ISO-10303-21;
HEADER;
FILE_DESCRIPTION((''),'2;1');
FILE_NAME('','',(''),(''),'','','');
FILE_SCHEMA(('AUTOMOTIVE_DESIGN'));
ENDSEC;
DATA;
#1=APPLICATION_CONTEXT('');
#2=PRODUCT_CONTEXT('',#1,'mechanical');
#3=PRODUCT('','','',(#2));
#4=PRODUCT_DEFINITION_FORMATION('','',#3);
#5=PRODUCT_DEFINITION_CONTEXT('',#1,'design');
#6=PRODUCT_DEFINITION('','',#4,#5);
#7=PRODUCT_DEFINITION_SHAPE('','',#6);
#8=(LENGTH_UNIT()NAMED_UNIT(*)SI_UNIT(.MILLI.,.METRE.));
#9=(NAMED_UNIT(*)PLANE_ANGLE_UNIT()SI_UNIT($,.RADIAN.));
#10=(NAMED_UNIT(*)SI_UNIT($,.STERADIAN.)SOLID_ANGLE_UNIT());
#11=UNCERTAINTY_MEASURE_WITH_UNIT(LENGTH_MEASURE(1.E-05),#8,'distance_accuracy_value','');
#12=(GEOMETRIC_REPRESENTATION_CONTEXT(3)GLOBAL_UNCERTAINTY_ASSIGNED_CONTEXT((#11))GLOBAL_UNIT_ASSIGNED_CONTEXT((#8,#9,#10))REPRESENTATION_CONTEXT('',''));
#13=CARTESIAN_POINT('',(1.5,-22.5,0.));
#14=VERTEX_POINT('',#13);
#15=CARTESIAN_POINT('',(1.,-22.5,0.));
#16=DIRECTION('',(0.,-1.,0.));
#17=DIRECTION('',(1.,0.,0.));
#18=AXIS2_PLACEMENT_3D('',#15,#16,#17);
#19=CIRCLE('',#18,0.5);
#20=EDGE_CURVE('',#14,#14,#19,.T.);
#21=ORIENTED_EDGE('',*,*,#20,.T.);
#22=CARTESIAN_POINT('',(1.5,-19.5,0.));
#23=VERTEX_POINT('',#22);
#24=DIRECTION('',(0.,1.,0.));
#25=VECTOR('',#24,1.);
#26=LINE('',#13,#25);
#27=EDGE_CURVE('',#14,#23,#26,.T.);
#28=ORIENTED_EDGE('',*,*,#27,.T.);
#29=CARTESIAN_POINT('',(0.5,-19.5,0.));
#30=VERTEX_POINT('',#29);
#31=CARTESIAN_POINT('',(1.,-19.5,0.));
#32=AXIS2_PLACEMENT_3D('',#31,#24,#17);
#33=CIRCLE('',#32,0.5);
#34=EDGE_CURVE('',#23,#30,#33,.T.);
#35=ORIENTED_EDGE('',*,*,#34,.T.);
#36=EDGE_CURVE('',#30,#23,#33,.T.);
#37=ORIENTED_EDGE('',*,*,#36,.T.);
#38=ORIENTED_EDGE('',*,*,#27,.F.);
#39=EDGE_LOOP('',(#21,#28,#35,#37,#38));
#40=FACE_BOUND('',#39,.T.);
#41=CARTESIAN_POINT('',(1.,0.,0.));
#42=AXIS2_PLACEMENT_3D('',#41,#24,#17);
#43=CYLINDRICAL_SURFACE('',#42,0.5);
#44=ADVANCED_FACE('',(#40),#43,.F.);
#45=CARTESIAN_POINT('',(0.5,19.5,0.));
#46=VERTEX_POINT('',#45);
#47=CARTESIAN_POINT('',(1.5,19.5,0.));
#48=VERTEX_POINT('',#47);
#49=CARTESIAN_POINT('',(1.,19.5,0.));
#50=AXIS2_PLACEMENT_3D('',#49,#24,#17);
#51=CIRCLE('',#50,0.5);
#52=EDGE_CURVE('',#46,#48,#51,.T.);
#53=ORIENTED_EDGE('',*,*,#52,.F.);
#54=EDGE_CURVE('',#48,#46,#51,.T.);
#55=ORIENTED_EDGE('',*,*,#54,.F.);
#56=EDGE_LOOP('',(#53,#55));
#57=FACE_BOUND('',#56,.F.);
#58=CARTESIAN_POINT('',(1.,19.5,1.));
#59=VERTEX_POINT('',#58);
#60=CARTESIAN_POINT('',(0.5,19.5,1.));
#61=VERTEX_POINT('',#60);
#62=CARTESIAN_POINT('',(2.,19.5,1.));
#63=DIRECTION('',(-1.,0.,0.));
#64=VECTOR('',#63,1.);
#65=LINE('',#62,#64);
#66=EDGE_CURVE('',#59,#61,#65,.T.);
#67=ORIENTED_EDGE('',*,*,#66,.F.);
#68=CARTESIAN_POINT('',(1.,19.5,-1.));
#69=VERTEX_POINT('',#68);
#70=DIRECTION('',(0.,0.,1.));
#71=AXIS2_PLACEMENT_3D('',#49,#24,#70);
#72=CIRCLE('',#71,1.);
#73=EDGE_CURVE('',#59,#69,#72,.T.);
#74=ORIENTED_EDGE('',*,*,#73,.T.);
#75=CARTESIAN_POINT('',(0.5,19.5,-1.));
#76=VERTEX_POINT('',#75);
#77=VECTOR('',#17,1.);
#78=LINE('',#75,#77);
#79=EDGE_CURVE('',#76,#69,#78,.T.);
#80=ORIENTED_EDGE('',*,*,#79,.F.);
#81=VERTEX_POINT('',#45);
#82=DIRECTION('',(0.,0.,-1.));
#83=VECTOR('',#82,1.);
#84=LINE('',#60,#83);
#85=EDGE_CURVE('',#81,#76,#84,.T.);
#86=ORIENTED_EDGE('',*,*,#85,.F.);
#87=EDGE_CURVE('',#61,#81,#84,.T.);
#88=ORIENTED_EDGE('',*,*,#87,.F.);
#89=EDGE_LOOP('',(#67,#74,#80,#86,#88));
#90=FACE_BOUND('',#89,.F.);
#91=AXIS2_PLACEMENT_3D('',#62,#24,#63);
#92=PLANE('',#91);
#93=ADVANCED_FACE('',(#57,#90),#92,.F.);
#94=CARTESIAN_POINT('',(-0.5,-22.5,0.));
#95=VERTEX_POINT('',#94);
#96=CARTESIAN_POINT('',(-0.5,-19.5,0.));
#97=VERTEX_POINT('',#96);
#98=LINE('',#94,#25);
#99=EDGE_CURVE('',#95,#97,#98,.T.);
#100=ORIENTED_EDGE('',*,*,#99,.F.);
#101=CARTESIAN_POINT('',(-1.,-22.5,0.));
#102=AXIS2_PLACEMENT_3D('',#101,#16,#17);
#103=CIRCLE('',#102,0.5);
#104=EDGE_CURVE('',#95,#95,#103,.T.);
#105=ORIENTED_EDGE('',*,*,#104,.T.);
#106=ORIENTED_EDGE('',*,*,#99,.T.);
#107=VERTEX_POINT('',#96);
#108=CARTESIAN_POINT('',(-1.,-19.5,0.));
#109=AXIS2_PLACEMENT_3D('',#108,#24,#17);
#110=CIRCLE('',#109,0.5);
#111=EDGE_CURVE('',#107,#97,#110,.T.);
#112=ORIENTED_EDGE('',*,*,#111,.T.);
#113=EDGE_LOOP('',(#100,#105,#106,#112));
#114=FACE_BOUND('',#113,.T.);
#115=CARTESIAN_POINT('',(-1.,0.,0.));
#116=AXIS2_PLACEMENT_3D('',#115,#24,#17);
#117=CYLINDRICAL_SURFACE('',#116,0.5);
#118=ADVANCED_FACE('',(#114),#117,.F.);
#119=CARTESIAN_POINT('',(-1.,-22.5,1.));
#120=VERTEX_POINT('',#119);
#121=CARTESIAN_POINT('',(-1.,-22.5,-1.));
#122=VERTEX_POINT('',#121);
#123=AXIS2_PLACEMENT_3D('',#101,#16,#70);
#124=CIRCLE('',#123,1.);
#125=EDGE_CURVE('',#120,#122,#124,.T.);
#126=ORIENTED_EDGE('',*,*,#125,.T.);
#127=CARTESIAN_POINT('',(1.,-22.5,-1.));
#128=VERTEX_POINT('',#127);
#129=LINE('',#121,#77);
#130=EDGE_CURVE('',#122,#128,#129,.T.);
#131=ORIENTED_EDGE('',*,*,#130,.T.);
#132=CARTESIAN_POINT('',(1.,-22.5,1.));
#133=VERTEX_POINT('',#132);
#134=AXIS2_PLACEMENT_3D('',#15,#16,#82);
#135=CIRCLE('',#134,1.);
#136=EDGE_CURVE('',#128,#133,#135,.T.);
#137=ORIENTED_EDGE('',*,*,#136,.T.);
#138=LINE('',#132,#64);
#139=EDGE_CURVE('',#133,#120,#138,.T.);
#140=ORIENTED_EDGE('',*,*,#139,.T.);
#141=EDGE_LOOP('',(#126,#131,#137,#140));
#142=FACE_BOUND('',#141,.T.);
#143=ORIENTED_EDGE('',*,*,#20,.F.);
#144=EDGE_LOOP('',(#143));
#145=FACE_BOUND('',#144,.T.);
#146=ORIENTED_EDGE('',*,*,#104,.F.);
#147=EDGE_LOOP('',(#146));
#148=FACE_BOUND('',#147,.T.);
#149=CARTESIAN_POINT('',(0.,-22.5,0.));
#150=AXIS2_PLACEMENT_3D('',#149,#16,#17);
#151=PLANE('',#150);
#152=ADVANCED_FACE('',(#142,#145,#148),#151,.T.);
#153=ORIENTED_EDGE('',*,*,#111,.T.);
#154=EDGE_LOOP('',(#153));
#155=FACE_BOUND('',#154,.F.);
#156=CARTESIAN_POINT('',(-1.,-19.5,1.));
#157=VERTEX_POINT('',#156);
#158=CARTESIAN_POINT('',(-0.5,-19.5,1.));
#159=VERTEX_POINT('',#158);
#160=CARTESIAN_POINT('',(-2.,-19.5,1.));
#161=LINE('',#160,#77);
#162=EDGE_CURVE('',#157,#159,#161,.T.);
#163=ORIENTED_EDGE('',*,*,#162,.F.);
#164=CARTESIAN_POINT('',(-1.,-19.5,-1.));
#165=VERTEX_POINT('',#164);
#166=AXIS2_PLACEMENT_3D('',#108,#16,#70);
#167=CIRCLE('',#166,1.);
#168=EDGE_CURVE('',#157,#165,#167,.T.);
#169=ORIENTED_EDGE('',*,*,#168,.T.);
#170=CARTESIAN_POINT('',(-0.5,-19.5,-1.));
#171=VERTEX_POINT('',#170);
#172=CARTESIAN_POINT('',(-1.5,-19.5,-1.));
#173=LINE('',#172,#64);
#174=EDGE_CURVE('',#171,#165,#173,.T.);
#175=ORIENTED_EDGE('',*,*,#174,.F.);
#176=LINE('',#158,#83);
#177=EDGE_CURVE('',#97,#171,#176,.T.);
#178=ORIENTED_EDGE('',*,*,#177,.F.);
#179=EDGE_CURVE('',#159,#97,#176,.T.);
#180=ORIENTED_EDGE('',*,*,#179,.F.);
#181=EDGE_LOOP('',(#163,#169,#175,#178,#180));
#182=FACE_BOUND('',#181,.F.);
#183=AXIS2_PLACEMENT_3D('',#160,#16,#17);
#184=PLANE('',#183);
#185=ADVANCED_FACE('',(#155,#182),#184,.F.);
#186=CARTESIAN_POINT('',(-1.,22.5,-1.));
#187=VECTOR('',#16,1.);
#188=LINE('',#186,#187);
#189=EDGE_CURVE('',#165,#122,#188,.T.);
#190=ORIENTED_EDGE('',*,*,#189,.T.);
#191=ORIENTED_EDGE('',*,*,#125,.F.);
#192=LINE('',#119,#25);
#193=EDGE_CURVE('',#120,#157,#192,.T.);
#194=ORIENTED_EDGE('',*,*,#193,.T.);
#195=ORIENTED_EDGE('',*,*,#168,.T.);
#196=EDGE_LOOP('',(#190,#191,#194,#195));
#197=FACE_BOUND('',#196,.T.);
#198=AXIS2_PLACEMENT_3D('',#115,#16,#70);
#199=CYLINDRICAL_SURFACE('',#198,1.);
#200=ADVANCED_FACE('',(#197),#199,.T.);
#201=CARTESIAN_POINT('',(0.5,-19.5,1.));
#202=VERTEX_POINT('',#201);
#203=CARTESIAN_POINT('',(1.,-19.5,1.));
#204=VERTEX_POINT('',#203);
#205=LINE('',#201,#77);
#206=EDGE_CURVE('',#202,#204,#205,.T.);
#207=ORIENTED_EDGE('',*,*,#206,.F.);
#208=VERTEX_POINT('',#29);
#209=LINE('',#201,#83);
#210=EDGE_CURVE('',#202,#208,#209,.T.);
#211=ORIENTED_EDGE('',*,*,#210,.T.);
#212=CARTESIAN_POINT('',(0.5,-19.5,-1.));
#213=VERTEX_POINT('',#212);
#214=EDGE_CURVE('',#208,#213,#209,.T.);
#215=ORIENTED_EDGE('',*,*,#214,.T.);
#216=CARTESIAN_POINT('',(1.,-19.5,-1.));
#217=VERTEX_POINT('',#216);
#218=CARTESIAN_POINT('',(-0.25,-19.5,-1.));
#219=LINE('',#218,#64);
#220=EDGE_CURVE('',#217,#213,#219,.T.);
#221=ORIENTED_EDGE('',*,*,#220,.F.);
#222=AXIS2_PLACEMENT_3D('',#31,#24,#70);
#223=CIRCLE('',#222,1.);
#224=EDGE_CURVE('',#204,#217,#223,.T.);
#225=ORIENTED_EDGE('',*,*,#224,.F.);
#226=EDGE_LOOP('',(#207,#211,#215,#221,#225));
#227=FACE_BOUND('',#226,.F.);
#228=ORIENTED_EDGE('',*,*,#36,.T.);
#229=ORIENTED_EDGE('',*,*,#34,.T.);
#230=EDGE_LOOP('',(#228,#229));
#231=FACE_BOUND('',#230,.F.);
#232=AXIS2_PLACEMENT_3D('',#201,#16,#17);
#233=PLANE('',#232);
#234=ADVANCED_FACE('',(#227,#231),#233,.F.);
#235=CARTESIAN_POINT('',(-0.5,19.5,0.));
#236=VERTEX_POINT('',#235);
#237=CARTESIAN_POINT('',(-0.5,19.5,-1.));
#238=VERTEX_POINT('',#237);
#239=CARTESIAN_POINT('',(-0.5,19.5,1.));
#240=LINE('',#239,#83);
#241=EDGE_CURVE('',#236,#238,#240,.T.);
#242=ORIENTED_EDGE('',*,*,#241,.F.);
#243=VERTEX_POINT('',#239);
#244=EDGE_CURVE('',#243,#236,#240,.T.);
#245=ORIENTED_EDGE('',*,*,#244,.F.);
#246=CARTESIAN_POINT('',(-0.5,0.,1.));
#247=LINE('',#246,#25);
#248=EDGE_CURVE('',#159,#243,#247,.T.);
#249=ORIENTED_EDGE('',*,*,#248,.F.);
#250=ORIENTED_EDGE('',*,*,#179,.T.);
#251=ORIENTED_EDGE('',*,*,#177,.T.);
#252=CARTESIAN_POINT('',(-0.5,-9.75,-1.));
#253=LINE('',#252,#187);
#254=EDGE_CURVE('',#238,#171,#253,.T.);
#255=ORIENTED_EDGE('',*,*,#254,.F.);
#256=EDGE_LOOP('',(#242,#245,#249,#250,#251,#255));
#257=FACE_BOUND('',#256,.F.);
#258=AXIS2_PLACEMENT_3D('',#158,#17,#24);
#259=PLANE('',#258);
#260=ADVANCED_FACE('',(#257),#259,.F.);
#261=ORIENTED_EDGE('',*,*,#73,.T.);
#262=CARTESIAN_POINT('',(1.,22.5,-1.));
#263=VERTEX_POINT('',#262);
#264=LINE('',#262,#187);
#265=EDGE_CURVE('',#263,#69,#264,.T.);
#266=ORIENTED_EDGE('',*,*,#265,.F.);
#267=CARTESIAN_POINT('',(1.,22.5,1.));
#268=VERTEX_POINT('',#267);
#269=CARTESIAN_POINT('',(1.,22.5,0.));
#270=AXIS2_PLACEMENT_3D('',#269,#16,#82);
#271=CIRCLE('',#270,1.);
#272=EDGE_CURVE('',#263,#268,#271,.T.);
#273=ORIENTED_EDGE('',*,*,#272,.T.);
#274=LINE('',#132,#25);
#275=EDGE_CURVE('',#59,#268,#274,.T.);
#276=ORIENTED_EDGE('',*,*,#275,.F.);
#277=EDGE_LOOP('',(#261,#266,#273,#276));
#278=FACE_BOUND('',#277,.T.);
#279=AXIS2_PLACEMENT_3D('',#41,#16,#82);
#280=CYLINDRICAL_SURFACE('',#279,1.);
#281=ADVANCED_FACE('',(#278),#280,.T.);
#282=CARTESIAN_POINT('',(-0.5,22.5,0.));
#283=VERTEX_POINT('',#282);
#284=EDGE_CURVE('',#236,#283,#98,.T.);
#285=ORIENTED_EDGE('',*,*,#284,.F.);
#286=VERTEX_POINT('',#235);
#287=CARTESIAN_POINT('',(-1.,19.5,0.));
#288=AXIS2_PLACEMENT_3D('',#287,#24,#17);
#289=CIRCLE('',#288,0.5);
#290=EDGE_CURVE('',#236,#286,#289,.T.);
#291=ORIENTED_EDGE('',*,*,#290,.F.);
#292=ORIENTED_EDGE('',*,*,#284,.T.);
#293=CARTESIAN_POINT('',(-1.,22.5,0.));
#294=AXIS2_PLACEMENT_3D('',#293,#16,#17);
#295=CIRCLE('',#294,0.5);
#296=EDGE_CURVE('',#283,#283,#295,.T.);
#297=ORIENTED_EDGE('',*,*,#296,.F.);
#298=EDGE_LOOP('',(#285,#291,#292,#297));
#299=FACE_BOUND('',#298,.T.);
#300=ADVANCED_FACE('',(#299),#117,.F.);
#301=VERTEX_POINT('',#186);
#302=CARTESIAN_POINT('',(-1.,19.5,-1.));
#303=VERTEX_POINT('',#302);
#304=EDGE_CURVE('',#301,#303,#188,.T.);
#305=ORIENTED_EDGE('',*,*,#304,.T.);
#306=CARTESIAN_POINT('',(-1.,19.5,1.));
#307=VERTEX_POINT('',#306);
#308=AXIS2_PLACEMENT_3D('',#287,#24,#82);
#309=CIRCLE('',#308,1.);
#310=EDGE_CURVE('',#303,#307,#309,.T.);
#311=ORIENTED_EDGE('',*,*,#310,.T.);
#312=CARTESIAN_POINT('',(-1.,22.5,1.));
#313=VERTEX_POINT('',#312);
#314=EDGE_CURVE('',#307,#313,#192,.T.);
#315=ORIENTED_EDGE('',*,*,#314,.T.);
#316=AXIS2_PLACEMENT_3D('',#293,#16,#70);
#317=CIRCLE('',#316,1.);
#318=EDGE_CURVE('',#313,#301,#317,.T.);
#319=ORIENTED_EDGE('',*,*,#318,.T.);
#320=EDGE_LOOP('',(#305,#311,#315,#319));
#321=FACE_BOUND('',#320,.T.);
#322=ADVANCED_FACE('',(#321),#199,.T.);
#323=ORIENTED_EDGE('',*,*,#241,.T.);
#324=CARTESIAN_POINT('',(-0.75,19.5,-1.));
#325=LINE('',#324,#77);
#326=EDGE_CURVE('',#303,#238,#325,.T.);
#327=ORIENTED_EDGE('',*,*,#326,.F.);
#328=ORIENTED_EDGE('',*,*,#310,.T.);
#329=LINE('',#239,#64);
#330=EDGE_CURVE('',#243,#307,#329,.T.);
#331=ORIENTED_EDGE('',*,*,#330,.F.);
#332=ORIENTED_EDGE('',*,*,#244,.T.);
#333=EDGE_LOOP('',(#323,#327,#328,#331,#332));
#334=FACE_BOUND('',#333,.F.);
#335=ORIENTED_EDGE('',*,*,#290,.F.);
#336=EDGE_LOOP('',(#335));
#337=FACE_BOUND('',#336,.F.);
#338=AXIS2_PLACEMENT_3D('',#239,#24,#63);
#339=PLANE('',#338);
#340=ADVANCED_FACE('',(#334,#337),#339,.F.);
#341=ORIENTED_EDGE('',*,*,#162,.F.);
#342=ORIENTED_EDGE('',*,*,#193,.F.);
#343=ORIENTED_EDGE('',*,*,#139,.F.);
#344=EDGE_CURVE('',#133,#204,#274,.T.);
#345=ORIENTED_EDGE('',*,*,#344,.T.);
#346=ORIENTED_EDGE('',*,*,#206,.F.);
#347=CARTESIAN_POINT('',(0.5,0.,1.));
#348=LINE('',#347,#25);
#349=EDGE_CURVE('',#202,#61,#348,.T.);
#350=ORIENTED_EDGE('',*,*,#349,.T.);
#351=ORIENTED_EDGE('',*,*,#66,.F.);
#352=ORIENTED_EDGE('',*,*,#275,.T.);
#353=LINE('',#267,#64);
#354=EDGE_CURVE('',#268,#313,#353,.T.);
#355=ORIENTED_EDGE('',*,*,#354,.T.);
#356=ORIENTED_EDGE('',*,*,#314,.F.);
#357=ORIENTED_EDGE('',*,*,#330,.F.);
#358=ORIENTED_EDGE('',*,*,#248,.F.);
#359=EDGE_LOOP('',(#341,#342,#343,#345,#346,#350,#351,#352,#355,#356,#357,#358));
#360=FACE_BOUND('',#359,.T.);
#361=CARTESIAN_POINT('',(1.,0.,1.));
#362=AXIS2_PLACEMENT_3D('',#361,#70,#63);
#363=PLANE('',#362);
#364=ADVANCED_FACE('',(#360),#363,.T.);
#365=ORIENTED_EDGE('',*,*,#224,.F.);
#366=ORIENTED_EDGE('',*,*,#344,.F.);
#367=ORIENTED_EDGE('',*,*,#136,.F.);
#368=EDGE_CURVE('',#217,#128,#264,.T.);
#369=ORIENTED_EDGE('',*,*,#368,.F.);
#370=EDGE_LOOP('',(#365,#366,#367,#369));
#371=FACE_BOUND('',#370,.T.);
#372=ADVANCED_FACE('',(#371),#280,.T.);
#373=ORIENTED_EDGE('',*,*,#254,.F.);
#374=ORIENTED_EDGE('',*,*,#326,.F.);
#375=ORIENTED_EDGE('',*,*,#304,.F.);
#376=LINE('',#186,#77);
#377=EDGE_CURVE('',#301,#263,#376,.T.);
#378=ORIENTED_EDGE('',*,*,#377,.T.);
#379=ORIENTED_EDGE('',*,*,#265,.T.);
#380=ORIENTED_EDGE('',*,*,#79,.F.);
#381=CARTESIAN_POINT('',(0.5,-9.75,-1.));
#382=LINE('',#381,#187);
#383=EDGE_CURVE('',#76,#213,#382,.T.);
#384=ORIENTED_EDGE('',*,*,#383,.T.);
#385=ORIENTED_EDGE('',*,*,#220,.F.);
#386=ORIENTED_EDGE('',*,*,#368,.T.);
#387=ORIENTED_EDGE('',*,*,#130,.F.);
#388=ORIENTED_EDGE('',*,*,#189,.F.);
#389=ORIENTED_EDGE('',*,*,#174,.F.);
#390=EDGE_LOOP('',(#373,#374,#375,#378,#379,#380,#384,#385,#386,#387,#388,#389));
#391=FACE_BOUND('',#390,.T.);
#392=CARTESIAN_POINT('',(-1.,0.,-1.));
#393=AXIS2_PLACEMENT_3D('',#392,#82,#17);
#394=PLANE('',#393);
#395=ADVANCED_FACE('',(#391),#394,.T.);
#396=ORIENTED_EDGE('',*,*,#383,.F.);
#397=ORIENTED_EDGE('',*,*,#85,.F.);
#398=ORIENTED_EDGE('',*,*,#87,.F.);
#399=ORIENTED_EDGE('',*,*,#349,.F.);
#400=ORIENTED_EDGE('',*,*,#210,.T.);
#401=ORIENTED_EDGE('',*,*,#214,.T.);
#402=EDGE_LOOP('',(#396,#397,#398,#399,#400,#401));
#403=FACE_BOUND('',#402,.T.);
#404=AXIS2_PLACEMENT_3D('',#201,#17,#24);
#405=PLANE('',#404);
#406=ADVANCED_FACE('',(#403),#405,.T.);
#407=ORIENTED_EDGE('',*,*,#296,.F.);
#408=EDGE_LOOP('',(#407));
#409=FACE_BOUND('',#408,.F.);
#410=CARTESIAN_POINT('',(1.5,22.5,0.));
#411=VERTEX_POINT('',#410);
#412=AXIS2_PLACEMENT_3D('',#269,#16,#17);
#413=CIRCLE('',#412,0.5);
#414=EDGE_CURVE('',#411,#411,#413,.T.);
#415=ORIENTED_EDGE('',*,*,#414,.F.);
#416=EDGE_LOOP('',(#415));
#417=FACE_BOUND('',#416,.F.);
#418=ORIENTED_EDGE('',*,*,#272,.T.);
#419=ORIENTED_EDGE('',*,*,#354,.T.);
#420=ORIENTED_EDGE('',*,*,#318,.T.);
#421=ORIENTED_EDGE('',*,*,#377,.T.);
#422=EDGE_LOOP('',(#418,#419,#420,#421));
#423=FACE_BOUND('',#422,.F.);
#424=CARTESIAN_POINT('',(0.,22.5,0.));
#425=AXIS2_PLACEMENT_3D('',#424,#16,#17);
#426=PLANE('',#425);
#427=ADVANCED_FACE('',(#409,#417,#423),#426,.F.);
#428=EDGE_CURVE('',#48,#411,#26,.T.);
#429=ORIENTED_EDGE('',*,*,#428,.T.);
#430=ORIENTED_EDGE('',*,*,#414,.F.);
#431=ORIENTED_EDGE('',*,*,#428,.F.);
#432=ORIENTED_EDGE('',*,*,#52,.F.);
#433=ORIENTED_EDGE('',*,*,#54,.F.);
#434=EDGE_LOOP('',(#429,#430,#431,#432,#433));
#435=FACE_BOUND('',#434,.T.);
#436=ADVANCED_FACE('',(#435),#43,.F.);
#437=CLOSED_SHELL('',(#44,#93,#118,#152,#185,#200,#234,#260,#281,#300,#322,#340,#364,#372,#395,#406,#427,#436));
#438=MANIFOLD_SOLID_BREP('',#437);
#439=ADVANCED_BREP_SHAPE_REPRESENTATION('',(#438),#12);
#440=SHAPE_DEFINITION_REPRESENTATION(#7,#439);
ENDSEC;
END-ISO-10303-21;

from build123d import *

# Parameters (mm, degrees)
F0_R     = 0.5
F1_DEPTH = 22.5
F2_W     = 1
F2_H     = 39
F2_W_2   = 0.5
F3_DEPTH = 25


with BuildPart() as f1:
    # F0 (on Front) → F1 (new body, symmetric)
    with BuildSketch(Plane.XZ):
        with BuildLine():
            ThreePointArc((-1, 1), (-2, 0), (-1, -1))
            Line((-1, -1), (1, -1))
            ThreePointArc((1, -1), (2, 0), (1, 1))
            Line((1, 1), (-1, 1))
        make_face()
        with Locations((-1, 0)):
            Circle(F0_R, mode=Mode.SUBTRACT)
        with Locations((1, 0)):
            Circle(F0_R, mode=Mode.SUBTRACT)
    extrude(amount=F1_DEPTH, both=True)

    # F2 (on face) → F3 (cut)
    with BuildSketch(Plane.XY.offset(1)):
        with Locations((1.5, 0)):
            Rectangle(F2_W, F2_H)
        with Locations((0.75, 0)):
            Rectangle(F2_W_2, F2_H)
        with Locations((-1.5, 0)):
            Rectangle(F2_W, F2_H)
        with Locations((-0.75, 0)):
            Rectangle(F2_W_2, F2_H)
    extrude(amount=-F3_DEPTH, mode=Mode.SUBTRACT)


solid = f1.part
